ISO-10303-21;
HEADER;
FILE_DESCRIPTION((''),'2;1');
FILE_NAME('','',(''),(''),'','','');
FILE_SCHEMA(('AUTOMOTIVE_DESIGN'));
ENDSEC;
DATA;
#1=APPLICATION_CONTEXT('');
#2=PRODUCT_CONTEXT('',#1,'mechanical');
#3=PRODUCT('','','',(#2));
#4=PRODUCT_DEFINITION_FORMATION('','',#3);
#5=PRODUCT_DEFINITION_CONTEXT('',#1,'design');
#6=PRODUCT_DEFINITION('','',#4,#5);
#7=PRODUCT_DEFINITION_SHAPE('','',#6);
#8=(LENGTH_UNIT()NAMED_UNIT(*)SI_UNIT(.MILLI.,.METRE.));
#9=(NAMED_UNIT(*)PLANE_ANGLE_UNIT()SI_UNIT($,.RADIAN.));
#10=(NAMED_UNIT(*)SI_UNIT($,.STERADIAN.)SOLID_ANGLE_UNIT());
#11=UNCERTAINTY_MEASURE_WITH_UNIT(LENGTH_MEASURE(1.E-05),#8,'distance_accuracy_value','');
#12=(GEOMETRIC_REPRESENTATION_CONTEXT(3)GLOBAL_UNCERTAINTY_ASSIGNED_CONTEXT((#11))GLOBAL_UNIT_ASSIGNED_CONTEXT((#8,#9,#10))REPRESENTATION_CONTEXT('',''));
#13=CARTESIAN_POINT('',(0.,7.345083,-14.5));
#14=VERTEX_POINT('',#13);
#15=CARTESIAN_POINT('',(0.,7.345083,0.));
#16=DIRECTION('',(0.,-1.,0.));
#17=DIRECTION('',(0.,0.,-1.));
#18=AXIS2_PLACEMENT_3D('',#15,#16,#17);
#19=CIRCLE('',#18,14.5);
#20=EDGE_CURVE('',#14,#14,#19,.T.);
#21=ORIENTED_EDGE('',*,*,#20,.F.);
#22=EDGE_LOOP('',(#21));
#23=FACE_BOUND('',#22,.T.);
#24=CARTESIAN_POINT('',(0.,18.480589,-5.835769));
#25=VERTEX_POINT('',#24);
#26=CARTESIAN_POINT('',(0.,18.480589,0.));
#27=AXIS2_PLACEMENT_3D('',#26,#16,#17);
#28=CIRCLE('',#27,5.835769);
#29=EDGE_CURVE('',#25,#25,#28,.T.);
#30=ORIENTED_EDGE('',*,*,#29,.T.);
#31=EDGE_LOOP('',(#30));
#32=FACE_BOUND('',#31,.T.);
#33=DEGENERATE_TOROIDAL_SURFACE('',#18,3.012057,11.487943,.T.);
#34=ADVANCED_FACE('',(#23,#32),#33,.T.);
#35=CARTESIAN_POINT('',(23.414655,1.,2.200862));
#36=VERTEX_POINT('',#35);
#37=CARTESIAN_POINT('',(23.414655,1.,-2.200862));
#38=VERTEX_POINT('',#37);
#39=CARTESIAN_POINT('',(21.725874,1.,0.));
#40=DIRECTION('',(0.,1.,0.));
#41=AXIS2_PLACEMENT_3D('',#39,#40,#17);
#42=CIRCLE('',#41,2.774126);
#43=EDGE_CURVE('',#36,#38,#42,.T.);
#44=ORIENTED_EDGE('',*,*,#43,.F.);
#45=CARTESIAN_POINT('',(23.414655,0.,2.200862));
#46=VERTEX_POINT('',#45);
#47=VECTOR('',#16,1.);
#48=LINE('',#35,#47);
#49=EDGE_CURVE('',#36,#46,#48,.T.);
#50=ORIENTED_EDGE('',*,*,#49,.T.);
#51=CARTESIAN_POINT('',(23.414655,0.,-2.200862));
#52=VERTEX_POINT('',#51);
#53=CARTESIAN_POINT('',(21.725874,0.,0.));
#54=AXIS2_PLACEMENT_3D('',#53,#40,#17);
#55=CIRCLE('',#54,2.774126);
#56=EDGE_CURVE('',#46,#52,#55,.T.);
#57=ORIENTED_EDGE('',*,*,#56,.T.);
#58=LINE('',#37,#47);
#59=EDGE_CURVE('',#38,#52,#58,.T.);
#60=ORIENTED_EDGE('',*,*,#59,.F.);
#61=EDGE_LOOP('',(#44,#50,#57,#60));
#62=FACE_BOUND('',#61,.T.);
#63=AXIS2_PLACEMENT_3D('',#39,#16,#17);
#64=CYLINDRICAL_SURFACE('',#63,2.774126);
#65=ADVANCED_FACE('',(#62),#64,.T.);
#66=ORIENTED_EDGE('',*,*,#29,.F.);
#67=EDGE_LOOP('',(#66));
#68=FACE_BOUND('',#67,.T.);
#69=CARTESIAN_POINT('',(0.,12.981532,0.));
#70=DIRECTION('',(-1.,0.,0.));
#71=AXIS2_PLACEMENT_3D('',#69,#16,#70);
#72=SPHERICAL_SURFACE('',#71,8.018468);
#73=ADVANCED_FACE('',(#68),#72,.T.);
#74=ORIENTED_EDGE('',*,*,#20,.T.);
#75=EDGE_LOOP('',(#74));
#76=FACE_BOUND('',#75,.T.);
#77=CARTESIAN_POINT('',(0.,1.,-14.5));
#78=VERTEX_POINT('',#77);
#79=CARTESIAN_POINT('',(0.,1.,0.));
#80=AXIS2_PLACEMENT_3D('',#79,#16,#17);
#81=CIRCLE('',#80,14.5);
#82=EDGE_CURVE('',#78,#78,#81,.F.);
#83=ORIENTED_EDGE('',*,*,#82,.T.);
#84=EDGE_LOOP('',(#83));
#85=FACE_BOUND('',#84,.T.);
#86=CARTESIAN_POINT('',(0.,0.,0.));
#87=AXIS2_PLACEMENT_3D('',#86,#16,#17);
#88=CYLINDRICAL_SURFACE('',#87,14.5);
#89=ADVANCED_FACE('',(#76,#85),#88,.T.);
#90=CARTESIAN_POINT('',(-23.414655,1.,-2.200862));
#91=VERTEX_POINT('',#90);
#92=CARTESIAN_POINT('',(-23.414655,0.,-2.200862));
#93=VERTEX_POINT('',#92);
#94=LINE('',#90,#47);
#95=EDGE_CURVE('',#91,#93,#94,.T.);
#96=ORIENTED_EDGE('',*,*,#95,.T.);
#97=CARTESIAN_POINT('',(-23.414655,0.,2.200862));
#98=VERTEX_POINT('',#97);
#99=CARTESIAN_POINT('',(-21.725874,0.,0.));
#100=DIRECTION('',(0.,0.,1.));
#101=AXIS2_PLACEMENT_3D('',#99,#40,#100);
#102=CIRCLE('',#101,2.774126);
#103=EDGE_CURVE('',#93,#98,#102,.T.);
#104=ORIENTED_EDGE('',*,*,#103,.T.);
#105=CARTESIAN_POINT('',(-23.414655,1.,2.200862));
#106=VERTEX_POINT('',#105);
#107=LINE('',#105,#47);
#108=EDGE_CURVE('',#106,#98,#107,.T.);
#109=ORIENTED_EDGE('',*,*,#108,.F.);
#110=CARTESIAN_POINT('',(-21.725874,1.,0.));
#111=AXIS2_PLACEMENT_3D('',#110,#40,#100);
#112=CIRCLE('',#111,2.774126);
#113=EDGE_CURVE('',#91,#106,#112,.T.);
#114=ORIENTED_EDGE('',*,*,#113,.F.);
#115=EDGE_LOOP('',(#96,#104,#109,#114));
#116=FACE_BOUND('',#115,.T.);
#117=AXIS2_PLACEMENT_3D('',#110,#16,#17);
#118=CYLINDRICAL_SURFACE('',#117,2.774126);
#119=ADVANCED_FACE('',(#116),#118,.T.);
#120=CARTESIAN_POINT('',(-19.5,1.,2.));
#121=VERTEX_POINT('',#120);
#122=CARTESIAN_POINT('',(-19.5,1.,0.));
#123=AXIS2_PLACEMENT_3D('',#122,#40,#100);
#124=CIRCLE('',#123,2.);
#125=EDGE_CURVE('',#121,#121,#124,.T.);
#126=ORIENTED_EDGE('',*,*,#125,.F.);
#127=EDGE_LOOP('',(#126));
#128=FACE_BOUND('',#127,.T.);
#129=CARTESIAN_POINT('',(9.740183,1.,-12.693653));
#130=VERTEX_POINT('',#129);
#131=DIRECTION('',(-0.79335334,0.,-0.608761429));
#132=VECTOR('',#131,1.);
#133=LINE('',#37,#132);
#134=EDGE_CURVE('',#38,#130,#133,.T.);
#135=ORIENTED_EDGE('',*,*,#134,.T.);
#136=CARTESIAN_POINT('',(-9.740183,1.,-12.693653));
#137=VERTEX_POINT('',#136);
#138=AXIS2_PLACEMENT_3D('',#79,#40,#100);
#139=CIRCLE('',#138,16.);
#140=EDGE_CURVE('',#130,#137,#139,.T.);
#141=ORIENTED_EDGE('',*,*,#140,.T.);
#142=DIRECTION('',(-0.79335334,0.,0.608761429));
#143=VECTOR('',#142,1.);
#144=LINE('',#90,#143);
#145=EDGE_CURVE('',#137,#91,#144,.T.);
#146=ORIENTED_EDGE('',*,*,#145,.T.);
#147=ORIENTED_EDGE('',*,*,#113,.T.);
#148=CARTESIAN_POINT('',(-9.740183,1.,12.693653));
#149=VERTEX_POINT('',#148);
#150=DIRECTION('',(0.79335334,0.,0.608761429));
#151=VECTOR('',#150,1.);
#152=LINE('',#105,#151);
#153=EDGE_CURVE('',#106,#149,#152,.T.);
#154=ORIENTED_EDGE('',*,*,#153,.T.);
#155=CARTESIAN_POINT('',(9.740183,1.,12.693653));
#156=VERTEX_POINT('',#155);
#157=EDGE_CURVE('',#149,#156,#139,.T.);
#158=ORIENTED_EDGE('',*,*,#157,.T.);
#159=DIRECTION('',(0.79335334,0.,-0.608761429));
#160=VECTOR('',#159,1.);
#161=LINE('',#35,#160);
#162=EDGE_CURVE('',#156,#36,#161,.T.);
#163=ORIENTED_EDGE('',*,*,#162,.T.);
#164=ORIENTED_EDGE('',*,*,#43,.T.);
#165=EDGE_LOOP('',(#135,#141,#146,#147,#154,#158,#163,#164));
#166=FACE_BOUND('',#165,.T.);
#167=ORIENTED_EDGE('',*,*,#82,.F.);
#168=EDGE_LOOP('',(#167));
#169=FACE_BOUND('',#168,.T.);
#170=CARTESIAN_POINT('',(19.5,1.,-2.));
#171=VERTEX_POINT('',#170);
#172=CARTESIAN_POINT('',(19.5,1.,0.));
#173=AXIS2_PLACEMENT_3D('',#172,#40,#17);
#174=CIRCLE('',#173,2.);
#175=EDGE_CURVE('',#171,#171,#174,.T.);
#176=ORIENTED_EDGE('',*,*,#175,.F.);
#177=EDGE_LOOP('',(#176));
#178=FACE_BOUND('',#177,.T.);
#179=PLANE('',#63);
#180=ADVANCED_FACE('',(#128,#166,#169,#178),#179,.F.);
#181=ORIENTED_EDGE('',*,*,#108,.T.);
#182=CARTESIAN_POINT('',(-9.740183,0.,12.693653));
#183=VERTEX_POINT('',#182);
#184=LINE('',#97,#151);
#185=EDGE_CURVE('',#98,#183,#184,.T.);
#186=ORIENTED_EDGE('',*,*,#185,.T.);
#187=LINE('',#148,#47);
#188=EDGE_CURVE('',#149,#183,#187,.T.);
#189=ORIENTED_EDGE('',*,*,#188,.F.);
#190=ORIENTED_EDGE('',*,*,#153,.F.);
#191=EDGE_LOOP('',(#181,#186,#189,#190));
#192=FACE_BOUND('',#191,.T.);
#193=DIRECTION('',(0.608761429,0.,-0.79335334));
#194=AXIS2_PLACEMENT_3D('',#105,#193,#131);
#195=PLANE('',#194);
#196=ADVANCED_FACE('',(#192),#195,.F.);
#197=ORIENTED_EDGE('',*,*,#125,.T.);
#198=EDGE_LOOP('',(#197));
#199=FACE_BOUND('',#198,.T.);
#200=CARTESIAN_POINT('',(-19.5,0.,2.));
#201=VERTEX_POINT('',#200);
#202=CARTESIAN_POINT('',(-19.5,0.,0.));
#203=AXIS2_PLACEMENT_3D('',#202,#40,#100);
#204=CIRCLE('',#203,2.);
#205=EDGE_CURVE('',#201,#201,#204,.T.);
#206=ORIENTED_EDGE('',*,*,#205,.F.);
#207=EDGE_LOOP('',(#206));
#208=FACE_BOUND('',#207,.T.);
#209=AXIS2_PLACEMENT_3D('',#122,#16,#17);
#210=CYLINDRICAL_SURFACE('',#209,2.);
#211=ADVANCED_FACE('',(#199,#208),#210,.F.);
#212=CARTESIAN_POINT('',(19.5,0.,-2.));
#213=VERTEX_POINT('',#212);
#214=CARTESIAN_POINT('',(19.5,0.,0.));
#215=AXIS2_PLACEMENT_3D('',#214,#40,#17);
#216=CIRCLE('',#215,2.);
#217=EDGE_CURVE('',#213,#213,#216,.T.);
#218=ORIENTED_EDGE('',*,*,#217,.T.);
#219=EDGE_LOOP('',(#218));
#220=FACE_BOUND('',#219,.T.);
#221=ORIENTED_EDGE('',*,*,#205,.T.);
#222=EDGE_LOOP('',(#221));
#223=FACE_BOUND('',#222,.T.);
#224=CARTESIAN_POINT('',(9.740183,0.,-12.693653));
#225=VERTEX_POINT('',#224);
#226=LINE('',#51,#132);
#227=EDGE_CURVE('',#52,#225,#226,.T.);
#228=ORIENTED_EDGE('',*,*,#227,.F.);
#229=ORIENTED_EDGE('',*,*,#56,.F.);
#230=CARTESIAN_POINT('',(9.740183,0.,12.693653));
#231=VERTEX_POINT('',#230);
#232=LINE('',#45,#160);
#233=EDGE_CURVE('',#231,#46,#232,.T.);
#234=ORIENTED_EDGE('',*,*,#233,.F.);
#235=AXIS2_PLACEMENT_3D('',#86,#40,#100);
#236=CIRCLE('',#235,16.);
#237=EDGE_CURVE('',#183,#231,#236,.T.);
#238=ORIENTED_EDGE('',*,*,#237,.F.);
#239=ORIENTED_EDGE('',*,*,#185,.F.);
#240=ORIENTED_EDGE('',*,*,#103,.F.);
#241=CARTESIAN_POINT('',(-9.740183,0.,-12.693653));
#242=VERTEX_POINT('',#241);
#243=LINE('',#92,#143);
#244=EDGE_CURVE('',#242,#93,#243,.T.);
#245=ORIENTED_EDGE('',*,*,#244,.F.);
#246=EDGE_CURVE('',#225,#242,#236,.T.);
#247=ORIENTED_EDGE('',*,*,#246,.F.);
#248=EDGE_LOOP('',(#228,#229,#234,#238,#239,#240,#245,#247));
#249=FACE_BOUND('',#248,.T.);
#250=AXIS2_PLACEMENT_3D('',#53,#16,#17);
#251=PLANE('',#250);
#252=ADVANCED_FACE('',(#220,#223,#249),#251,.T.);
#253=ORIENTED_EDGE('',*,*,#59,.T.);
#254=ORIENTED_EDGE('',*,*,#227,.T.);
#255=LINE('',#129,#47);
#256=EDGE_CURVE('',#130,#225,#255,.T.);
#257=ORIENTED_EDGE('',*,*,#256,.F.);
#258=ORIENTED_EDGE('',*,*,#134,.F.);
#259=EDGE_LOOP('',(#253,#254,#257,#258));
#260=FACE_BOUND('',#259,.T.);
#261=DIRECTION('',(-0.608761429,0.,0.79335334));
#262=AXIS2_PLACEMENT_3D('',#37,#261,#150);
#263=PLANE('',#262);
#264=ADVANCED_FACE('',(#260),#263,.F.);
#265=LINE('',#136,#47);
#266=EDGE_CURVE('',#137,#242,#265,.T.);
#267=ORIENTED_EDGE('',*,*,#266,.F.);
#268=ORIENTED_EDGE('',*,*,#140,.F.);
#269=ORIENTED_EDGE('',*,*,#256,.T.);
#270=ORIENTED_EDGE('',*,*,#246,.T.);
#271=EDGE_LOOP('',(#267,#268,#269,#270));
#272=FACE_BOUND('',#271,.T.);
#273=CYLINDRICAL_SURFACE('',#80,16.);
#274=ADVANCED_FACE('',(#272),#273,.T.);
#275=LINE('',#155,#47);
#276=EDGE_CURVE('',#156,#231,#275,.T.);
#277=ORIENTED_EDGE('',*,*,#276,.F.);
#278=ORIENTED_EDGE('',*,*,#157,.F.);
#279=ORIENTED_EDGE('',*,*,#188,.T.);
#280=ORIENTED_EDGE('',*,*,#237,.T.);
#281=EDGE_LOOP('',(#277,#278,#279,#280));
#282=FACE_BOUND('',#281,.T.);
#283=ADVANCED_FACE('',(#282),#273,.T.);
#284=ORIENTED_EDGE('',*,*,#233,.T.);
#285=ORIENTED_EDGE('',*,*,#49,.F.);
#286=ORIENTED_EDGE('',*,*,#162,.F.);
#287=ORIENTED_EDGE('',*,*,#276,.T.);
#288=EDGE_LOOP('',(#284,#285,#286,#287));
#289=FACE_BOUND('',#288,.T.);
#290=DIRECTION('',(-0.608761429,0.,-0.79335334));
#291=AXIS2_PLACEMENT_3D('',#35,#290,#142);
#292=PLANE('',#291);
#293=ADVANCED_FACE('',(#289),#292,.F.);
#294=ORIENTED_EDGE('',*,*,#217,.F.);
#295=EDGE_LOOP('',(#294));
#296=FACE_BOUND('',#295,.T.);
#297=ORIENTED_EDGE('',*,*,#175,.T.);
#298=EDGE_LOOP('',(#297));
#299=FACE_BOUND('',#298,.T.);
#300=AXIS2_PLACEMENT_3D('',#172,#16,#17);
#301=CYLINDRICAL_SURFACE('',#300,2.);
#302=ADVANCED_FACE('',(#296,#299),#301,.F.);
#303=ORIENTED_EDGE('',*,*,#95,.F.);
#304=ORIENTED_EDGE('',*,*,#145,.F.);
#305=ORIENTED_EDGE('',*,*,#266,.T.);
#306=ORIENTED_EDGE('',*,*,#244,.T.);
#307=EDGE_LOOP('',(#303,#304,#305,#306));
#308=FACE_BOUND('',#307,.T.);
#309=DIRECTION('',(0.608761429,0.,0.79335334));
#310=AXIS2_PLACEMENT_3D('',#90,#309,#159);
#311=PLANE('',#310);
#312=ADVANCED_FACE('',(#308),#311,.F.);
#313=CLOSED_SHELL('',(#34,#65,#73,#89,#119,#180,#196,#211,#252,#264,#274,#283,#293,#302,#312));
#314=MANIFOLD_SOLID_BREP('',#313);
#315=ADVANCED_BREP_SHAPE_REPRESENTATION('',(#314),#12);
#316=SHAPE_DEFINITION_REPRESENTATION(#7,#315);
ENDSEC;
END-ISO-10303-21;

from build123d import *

# Parameters (mm, degrees)
SKETCH1_R           = 2
BOSS_EXTRUDE1_DEPTH = 1


with BuildPart() as part:
    # Sketch1 → Boss-Extrude1 (new body)
    with BuildSketch(Plane(origin=(0, 0, 0), x_dir=(1, 0, 0), z_dir=(0, 1, 0))):
        with BuildLine():
            Line((-23.414655011, 2.20086192), (-9.740182864, 12.693653445))
            ThreePointArc((-9.740182864, 12.693653445), (0, 16), (9.740182864, 12.693653445))
            Line((9.740182864, 12.693653445), (23.414655011, 2.20086192))
            ThreePointArc((23.414655011, 2.20086192), (24.5, 0), (23.414655011, -2.20086192))
            Line((23.414655011, -2.20086192), (9.740182864, -12.693653445))
            ThreePointArc((9.740182864, -12.693653445), (0, -16), (-9.740182864, -12.693653445))
            Line((-9.740182864, -12.693653445), (-23.414655011, -2.20086192))
            ThreePointArc((-23.414655011, -2.20086192), (-24.5, 0), (-23.414655011, 2.20086192))
        make_face()
        with Locations(Location((-19.5, 0, 0), (0, 0, 270))):
            Circle(SKETCH1_R, mode=Mode.SUBTRACT)
        with Locations(Location((19.5, 0, 0), (0, 0, 90))):
            Circle(SKETCH1_R, mode=Mode.SUBTRACT)
    extrude(amount=BOSS_EXTRUDE1_DEPTH)

    # Sketch2 → Revolve1 (revolve)
    with BuildSketch(Plane.XY, mode=Mode.PRIVATE) as revolve1_sk:
        with BuildLine():
            Line((0, 6.082034509), (0, 1))
            Line((0, 1), (-14.5, 1))
            Line((-14.5, 1), (-14.5, 7.345083381))
            ThreePointArc((-14.5, 7.345083381), (-12.078795143, 14.399662879), (-5.835769403, 18.480588566))
            ThreePointArc((-5.835769403, 18.480588566), (-3.178192824, 20.343251845), (0, 21))
            Line((0, 21), (0, 6.082034509))
        make_face()
    revolve(revolve1_sk.sketch.rotate(Axis((0, 0, 0), (0, 1, 0)), 270), axis=Axis((0, 0, 0), (0, 1, 0)))


solid = part.part
